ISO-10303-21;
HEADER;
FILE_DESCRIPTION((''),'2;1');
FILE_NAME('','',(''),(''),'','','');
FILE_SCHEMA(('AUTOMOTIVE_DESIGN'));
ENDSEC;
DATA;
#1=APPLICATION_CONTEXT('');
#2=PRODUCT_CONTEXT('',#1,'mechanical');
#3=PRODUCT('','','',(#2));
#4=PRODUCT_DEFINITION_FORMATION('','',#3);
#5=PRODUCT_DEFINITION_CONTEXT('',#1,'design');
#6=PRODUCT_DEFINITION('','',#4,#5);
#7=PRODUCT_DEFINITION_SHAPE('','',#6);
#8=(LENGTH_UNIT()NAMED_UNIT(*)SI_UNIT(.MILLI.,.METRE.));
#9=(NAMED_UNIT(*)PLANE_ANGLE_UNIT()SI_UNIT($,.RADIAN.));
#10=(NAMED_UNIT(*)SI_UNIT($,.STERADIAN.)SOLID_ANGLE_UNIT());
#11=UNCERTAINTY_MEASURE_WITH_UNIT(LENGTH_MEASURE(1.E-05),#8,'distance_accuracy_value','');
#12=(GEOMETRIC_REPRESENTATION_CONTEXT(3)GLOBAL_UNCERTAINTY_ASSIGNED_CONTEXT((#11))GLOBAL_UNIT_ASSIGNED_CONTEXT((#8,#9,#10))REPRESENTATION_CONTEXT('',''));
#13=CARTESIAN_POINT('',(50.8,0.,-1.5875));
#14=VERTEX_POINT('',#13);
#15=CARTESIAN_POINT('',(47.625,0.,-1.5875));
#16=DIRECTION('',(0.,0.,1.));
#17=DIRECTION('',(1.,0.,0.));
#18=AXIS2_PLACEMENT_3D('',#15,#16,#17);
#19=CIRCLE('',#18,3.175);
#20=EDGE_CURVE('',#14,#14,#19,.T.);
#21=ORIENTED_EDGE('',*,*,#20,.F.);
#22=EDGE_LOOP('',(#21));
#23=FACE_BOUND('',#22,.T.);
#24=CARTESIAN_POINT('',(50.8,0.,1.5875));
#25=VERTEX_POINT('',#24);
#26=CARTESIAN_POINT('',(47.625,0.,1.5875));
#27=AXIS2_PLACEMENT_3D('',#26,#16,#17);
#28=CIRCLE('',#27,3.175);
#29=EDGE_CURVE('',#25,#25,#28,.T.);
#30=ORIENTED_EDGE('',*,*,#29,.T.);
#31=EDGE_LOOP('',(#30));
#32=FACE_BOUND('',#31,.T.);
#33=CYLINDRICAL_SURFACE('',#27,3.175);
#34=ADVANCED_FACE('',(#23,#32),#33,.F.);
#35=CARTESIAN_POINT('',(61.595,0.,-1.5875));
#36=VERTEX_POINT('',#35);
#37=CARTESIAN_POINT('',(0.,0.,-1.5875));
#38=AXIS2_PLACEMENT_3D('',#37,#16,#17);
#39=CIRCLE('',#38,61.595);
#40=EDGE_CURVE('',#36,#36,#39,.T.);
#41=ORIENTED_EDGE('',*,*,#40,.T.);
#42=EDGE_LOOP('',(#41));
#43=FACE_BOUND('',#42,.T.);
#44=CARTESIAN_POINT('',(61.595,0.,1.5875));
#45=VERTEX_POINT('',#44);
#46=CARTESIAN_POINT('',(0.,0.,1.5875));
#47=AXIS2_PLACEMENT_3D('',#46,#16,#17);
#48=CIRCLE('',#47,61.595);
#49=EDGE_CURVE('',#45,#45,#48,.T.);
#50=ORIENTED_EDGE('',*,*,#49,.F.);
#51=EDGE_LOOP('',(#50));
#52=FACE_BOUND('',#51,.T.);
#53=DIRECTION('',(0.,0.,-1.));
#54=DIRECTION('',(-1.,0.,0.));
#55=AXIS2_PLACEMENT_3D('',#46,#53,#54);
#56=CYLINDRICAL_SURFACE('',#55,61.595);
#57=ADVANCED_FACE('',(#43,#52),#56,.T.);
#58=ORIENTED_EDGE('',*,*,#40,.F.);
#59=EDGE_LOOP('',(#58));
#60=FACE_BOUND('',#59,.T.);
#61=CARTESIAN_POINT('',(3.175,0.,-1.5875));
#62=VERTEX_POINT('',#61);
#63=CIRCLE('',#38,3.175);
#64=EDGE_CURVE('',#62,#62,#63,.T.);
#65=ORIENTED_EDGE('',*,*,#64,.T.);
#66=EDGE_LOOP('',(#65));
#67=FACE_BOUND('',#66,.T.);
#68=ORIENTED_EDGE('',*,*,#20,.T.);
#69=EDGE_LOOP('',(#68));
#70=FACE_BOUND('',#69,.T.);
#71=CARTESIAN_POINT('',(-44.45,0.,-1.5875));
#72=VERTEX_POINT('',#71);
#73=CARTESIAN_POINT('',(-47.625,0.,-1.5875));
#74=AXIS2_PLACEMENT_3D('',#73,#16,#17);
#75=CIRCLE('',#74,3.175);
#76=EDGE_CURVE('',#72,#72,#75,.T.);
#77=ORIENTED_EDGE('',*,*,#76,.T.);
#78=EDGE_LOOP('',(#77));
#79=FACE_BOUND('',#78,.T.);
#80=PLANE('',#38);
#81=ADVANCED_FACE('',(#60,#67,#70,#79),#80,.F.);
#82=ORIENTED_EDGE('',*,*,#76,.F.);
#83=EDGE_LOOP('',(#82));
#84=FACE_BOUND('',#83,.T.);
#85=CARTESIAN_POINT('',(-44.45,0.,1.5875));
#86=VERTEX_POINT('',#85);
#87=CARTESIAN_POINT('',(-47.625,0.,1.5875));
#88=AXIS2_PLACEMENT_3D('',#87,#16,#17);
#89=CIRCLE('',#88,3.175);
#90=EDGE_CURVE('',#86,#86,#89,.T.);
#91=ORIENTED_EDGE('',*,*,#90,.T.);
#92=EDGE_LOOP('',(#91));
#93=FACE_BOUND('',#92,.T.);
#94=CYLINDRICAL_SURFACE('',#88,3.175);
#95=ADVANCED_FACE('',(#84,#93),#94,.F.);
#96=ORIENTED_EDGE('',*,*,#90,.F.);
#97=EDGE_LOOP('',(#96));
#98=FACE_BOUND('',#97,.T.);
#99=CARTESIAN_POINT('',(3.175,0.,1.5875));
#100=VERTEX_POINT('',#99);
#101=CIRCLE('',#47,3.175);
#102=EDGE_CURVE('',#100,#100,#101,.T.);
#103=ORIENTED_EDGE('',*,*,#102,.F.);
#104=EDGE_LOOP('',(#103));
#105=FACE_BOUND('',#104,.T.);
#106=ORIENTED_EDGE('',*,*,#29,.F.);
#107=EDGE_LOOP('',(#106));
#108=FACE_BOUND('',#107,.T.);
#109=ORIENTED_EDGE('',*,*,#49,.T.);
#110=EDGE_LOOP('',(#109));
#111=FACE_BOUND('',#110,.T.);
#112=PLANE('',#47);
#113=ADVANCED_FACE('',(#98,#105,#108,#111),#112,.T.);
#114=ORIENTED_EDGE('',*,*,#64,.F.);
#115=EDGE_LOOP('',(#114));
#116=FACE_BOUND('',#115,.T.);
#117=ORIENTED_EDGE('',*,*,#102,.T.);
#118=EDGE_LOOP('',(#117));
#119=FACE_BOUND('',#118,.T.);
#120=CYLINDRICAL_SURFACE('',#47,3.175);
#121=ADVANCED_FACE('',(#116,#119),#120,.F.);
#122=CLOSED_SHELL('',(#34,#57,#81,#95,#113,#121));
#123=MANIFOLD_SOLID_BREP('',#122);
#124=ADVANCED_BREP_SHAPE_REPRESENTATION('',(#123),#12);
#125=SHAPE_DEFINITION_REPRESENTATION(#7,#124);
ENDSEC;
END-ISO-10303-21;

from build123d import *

# Parameters (mm, degrees)
SKETCH1_R                   = 61.595
BOSS_EXTRUDE1_DEPTH         = 1.5875
F_1_4_0_25_DIAMETER_HOLE1_D = 6.35


with BuildPart() as part:
    # Sketch1 → Boss-Extrude1 (new body, symmetric)
    with BuildSketch(Plane.XY):
        Circle(SKETCH1_R)
    extrude(amount=BOSS_EXTRUDE1_DEPTH, both=True)

    # 1/4 (0.25) Diameter Hole1 (through all)
    with Locations(Plane.XY.offset(1.5875)):
        with Locations((-47.625, 0), (0, 0), (47.625, 0)):
            Hole(F_1_4_0_25_DIAMETER_HOLE1_D / 2)


solid = part.part
